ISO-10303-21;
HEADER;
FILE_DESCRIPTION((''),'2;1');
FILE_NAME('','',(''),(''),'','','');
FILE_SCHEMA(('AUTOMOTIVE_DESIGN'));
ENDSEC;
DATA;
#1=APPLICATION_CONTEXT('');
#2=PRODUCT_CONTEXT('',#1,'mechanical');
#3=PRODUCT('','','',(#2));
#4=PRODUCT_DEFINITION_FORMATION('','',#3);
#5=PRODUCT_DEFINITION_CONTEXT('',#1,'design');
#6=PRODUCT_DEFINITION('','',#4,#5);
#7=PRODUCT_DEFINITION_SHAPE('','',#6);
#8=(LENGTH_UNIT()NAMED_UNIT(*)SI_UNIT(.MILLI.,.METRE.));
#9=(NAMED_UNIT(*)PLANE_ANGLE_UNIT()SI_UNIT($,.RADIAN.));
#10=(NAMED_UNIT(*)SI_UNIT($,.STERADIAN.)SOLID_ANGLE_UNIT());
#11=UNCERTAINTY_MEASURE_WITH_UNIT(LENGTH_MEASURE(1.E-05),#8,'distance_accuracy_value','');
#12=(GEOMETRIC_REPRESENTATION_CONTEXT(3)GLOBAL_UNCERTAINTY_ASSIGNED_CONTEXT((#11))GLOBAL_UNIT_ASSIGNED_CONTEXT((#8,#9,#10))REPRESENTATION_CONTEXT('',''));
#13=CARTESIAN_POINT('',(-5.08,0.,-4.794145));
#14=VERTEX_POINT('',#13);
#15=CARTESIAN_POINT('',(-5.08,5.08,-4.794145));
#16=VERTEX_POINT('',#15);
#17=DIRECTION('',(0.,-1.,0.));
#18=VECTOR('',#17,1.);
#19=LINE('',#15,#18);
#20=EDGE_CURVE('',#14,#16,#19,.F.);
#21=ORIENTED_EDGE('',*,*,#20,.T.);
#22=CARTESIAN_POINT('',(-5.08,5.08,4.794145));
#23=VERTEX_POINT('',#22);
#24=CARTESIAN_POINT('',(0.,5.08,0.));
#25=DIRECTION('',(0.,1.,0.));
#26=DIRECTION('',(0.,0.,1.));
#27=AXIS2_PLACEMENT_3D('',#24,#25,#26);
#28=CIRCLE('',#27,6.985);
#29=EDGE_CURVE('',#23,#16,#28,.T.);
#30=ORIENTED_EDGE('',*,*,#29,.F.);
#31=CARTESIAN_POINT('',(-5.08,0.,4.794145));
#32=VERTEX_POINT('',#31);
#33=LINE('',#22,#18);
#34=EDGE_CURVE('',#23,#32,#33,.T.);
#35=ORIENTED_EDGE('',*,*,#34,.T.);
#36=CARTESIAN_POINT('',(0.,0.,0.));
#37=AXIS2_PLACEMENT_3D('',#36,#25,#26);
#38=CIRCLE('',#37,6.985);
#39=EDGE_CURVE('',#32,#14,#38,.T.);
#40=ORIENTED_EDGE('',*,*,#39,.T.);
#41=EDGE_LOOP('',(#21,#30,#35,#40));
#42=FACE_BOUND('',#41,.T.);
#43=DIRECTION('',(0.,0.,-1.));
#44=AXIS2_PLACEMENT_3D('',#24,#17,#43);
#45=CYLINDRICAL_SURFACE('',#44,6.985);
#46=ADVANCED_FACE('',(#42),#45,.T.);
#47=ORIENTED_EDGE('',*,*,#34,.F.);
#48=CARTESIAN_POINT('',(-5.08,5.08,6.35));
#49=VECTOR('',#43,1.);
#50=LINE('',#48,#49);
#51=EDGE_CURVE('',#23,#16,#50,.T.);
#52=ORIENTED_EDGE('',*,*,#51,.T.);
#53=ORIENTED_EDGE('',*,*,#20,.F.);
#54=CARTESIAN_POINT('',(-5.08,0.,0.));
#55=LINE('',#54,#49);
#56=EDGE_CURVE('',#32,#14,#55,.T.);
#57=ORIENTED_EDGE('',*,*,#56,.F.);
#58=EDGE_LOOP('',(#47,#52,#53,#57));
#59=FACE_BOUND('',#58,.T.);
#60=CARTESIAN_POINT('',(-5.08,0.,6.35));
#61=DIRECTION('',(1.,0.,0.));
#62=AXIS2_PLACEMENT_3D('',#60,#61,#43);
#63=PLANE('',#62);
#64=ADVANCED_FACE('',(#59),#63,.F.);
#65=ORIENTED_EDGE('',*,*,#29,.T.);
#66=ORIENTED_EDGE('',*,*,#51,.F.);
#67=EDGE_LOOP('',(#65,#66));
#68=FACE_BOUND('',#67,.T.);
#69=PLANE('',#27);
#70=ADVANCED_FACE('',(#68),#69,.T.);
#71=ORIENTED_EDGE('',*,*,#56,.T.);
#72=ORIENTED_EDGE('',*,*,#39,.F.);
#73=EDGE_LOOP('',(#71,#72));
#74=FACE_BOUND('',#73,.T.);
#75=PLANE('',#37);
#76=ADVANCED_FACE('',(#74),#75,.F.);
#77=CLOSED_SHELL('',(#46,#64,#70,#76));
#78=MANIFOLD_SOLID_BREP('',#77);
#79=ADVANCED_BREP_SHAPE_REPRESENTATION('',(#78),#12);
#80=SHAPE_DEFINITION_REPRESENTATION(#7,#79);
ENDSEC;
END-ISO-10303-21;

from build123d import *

# Parameters (mm, degrees)
SKETCH1_R           = 6.985
BOSS_EXTRUDE1_DEPTH = 5.08
SKETCH4_W           = 3.81
SKETCH4_H           = 12.7
CUT_EXTRUDE1_DEPTH  = 12.10796336


with BuildPart() as part:
    # Sketch1 → Boss-Extrude1 (new body)
    with BuildSketch(Plane(origin=(0, 0, 0), x_dir=(1, 0, 0), z_dir=(0, 1, 0))):
        with Locations(Location((0, 0, 0), (0, 0, 270))):
            Circle(SKETCH1_R)
    extrude(amount=BOSS_EXTRUDE1_DEPTH)

    # Sketch4 → Cut-Extrude1 (cut, through all)
    with BuildSketch(Plane(origin=(0, 5.08, 0), x_dir=(1, 0, 0), z_dir=(0, 1, 0))):
        with Locations((-6.985, 0)):
            Rectangle(SKETCH4_W, SKETCH4_H)
    extrude(amount=-CUT_EXTRUDE1_DEPTH, mode=Mode.SUBTRACT)


solid = part.part
